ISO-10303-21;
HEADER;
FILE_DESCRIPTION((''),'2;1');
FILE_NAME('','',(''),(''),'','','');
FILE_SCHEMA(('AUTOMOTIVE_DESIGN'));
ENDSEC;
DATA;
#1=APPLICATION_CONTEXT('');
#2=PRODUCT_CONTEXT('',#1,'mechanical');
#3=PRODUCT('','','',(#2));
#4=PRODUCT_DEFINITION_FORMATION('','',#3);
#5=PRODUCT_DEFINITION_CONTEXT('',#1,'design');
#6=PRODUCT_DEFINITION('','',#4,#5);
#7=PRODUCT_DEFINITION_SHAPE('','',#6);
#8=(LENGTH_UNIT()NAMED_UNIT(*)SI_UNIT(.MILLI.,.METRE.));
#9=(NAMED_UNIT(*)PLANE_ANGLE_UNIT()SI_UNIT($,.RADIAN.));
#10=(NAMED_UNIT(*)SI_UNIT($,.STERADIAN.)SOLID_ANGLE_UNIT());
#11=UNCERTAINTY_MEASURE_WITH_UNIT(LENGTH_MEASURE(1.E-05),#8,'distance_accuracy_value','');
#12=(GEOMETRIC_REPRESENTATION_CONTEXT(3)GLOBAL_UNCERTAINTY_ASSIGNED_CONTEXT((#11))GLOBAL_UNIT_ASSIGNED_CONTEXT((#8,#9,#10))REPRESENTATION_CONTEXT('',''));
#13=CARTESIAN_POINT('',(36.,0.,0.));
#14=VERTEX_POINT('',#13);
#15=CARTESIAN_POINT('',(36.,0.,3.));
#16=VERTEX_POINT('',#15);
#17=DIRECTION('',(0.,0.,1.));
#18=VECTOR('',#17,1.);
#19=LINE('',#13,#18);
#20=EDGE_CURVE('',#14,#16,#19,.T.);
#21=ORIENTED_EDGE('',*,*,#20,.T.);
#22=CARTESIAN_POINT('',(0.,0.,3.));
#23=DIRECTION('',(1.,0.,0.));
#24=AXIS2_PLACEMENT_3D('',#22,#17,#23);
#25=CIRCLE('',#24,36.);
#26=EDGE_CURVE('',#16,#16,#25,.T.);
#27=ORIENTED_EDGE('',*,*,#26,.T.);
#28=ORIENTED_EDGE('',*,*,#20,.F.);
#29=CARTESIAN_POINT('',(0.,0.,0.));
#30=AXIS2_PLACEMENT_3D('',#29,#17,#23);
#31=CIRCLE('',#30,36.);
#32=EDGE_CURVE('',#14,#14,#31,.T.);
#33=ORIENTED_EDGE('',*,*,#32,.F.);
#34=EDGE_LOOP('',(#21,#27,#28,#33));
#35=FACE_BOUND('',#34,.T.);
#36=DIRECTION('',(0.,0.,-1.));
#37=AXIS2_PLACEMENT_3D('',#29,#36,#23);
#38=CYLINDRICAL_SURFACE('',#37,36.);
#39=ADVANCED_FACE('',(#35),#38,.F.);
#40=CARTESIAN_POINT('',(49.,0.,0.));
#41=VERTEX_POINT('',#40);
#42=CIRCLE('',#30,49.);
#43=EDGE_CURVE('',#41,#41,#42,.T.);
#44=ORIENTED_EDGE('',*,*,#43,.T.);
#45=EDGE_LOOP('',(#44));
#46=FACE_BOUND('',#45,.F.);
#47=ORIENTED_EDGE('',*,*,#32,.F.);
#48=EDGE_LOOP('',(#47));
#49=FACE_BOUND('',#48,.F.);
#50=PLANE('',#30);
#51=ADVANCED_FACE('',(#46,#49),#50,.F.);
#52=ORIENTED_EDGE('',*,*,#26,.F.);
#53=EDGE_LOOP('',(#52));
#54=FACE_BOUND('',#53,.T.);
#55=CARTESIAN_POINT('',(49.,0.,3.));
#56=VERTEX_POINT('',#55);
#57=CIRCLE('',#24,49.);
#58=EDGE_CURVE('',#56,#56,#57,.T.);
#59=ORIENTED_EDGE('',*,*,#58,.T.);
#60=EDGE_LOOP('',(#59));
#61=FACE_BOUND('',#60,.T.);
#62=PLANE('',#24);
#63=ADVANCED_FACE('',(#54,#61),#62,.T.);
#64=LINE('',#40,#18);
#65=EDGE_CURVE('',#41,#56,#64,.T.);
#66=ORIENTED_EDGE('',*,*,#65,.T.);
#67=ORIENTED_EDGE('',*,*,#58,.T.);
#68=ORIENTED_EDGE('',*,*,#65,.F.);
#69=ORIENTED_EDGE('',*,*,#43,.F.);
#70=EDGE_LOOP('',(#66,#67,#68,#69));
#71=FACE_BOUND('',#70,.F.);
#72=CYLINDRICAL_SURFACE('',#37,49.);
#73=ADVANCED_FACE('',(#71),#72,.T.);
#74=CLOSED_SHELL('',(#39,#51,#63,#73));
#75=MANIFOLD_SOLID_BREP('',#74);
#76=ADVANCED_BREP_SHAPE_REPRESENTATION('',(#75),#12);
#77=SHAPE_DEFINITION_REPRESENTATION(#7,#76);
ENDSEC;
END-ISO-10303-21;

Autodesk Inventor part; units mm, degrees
ref_plane "YZ Plane" through (0, 0, 0) normal (1, 0, 0) x (0, 1, 0)
ref_plane "XZ Plane" through (0, 0, 0) normal (0, 1, 0) x (-1, 0, 0)
ref_plane "XY Plane" through (0, 0, 0) normal (0, 0, 1) x (1, 0, 0)
sketch "Sketch1" plane through (0, 0, 0) normal (0, 0, 1) x (1, 0, 0)
  circle A0 centre (0, 0) radius 36
  circle A1 centre (0, 0) radius 49
  line L0 (34.6482, -34.6482) -> (-34.6482, 34.6482) construction
  line L1 (-34.6482, -34.6482) -> (34.6482, 34.6482) construction
  point P0 (0, 36)
  dimension "d44" = 72
  dimension "d23" = 98
extrude "Plate1" add sketch "Sketch1" along normal blind 3
equation "\"d2\" = Thickness"
equation "\"BendRadius\" = Thickness"
equation "\"BendReliefWidth\" = Thickness"
equation "\"BendReliefDepth\" = 0.5 * Thickness"
equation "\"CornerReliefSize\" = 4 * Thickness"
equation "\"MinimumRemnant\" = 2 * Thickness"
equation "\"TransitionRadius\" = BendRadius"
equation "\"JacobiRadiusSize\" = BendRadius"
equation "\"GapSize\" = Thickness"
equation "\"Octaeder_side\" = d41"
equation "\"Octaeder_flange_lenth\" = d42"
equation "\"Thickness\" = 3"
equation "\"d41\" = 55.918831"
equation "\"d42\" = 72.5"
properties part number "DSB 136 lap joint head"
